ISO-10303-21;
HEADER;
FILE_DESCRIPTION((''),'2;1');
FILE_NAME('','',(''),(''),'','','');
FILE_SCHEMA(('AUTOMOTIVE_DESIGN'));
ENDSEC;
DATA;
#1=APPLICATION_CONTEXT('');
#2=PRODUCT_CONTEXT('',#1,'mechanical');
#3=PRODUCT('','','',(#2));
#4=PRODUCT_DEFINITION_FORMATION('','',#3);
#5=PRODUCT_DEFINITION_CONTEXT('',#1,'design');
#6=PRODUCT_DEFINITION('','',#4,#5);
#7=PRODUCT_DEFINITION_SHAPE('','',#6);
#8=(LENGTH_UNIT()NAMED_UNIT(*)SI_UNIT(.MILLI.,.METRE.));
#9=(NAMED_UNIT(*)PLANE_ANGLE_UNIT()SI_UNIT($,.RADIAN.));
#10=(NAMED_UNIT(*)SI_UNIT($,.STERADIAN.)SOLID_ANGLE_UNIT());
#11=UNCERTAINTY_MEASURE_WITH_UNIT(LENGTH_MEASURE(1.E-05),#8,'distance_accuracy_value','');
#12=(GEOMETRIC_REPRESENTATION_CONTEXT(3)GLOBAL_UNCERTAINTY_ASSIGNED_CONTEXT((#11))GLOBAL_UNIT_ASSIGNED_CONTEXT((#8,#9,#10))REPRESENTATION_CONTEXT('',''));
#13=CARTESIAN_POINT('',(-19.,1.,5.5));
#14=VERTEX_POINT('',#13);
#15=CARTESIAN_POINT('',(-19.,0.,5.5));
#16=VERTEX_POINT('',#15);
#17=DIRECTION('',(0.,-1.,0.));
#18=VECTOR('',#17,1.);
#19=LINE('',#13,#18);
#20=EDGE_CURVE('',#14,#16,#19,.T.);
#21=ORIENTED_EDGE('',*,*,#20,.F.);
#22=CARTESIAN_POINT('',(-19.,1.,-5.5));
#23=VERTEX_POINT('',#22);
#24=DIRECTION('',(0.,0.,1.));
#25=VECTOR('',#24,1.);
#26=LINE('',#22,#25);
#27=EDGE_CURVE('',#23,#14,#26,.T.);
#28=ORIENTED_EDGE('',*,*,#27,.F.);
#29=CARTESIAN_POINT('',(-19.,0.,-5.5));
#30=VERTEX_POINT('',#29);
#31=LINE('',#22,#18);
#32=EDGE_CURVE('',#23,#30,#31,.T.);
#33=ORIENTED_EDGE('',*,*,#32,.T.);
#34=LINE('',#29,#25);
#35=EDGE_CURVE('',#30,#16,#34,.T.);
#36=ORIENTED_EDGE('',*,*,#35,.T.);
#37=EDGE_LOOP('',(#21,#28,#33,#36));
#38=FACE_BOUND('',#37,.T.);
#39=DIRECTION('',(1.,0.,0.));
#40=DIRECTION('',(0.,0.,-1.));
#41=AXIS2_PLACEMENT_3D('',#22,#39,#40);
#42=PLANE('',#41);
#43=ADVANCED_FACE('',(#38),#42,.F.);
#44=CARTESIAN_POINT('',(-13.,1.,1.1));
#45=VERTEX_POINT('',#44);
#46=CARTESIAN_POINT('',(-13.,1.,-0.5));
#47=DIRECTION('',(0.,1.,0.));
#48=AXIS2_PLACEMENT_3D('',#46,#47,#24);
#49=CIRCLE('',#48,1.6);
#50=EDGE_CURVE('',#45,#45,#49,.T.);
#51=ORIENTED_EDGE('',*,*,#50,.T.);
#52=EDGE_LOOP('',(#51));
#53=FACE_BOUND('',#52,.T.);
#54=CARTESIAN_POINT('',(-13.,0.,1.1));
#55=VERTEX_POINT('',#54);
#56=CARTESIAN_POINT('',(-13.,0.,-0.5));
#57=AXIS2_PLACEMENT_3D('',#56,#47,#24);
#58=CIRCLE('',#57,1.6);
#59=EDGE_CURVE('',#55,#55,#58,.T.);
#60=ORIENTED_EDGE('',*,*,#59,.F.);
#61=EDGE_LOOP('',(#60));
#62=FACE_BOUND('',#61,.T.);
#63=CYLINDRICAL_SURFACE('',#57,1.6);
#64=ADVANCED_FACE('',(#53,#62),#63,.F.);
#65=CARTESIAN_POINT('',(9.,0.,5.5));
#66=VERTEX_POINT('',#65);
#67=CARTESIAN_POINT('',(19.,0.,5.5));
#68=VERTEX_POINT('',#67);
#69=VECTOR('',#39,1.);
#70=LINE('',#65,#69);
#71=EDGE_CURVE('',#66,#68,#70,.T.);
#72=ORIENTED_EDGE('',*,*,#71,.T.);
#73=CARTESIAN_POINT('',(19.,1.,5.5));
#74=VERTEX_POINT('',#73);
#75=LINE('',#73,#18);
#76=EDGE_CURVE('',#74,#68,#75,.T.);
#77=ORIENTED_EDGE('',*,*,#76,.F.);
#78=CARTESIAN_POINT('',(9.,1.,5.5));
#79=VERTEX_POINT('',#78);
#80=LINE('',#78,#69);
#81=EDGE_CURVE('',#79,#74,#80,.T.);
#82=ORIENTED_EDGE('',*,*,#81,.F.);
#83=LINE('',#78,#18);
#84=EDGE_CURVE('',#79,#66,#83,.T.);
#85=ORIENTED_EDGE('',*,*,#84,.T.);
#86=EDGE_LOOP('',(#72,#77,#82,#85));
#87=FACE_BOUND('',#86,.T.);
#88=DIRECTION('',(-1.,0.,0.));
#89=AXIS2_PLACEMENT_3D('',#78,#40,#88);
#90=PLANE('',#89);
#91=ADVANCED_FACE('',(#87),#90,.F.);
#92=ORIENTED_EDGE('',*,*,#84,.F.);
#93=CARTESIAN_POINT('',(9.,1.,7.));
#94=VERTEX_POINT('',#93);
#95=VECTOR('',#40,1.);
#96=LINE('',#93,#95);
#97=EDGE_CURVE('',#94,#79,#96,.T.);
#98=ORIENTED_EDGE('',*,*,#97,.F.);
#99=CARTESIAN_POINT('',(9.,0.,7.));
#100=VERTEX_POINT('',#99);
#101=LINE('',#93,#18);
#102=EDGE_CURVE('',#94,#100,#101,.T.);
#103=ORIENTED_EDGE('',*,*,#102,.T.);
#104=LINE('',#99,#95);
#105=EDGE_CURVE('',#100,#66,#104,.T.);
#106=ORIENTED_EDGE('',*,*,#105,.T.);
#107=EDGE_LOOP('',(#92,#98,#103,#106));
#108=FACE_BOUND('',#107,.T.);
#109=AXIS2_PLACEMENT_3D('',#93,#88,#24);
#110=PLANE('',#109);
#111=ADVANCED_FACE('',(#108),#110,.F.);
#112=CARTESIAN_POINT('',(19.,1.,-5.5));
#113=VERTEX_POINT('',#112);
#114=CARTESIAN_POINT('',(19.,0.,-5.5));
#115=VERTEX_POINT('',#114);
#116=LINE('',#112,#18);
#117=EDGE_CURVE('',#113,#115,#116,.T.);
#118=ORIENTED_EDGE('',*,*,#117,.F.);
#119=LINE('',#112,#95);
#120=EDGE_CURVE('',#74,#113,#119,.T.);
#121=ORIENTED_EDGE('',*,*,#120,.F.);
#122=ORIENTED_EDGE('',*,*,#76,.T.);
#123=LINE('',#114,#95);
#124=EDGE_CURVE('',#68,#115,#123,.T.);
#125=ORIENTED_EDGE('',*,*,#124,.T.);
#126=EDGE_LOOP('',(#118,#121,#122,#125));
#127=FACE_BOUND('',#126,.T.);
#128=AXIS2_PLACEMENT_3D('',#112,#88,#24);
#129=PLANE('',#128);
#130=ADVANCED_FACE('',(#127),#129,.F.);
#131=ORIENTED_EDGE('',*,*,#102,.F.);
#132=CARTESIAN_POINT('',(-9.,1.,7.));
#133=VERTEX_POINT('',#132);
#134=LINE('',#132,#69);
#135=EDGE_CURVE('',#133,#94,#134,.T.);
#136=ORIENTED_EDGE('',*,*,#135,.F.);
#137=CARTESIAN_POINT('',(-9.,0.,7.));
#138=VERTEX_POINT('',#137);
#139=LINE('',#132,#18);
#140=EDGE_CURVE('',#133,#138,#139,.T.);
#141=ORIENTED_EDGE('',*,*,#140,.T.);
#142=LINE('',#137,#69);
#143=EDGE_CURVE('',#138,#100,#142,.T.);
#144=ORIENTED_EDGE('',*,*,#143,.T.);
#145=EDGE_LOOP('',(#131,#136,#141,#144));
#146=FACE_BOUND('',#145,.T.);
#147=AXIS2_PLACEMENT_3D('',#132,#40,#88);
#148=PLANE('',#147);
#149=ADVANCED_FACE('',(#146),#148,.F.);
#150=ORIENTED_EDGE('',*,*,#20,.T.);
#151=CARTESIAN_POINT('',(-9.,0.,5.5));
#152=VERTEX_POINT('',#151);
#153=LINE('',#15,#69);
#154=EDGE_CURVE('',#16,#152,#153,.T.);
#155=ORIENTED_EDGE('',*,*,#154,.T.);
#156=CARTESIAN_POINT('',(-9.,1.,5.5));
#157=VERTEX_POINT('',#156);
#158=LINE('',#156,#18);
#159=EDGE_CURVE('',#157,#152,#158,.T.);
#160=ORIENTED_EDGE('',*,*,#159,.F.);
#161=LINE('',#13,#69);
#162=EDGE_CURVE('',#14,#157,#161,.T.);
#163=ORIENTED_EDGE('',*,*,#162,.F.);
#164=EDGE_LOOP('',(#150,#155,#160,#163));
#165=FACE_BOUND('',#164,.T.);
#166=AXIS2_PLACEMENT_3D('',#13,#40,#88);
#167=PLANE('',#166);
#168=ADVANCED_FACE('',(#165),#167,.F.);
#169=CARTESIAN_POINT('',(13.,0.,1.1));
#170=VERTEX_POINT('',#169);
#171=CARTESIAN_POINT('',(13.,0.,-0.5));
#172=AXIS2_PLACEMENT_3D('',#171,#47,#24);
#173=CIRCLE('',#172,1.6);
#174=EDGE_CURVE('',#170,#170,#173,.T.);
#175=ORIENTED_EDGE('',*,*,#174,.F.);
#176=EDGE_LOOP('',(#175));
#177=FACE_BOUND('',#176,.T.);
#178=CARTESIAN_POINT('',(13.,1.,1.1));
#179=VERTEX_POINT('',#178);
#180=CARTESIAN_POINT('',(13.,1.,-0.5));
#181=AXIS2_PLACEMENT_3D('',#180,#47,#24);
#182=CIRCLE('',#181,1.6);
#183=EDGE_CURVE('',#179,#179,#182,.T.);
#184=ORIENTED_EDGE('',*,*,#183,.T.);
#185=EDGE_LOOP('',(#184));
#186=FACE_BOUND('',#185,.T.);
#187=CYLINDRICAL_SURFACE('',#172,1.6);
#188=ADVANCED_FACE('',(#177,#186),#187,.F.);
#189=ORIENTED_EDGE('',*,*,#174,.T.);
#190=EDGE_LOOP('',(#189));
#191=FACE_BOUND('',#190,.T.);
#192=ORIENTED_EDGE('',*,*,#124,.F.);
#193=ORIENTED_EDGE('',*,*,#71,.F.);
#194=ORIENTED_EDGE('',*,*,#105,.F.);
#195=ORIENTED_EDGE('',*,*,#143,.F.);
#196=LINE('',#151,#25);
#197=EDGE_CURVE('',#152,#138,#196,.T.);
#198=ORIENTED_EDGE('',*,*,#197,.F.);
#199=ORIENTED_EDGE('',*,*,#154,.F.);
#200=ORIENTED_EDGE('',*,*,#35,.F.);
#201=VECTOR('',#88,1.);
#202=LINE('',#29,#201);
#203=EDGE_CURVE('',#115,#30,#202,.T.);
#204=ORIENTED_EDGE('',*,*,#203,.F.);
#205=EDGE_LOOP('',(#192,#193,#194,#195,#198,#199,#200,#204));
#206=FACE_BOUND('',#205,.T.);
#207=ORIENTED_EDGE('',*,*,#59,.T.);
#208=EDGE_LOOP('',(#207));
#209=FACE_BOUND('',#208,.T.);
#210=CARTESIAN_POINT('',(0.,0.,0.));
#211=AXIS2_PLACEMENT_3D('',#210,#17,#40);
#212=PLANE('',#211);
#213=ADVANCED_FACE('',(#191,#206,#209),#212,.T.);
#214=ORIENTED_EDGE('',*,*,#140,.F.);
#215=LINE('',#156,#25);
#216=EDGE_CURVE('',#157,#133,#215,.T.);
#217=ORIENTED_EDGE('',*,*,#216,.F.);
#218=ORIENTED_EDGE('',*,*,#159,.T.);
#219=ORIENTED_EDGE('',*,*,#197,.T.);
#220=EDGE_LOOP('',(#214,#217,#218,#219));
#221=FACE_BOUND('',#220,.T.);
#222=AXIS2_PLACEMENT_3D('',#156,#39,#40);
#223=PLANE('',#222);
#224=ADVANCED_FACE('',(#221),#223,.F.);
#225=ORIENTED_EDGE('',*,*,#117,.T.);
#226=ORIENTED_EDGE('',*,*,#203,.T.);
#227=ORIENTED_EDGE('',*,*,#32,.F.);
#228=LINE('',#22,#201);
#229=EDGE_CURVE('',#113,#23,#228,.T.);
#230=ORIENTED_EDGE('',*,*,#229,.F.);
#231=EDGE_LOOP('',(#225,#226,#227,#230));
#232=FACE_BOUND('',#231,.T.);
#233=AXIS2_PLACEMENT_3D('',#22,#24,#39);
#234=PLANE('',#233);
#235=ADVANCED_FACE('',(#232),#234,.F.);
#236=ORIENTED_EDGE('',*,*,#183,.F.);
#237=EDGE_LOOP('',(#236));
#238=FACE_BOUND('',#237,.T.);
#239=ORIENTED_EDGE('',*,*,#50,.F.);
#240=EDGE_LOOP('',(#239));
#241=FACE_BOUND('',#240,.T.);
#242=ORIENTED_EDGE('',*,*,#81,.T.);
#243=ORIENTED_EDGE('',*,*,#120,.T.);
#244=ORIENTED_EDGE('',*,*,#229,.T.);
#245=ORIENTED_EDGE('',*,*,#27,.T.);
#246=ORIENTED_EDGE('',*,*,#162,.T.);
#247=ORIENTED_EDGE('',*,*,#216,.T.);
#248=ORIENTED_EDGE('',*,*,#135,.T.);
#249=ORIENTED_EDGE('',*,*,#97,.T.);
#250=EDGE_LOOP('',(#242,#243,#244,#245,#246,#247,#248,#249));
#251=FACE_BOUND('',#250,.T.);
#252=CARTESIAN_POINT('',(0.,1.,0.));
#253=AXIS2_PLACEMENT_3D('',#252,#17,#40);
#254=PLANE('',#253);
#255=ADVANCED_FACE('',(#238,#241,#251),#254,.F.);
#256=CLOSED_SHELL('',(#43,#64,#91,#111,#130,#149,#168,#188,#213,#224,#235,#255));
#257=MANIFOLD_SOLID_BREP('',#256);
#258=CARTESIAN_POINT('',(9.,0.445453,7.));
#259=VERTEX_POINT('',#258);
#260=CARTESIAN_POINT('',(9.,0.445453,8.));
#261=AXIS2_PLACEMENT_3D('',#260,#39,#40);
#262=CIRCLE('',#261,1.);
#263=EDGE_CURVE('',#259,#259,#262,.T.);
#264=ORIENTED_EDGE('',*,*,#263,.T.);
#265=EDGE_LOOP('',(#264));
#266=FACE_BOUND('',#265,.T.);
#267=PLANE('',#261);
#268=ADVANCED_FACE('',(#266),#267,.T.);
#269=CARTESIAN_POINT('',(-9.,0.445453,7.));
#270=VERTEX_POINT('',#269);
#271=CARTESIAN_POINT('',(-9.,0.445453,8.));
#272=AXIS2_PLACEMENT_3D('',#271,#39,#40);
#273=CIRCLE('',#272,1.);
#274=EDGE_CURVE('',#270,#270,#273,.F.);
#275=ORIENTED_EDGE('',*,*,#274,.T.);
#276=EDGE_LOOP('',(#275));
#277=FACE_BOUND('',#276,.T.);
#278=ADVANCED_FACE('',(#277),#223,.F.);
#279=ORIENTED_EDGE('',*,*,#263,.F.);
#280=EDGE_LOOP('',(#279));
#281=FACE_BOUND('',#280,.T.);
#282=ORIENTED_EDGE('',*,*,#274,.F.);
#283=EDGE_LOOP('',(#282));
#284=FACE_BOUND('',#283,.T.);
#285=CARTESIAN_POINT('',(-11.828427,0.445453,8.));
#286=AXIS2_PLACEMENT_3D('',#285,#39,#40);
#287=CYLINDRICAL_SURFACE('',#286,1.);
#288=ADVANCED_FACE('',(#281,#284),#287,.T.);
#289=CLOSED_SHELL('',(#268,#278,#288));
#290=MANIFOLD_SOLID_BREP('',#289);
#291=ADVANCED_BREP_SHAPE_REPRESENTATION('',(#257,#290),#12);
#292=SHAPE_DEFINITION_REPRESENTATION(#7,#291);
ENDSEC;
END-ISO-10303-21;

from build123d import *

# Parameters (mm, degrees)
EXTRUDE_1_DEPTH     = 1
SKETCH_2_R          = 1
EXTRUDE_2_DEPTH     = 18
SKETCH_3_R          = 1.6
CUT_EXTRUDE_1_DEPTH = 1


with BuildPart() as part:
    # 草图1 → 凸台-拉伸1 (new body)
    with BuildSketch(Plane(origin=(0, 0, 0), x_dir=(1, 0, 0), z_dir=(0, 1, 0))):
        Polygon((-19, 5.5), (19, 5.5), (19, -5.5), (9, -5.5), (9, -7), (-9, -7), (-9, -5.5), (-19, -5.5), align=None)
    extrude(amount=EXTRUDE_1_DEPTH)

    # 草图3 → 切除-拉伸1 (cut)
    with BuildSketch(Plane(origin=(0, 1, 0), x_dir=(1, 0, 0), z_dir=(0, 1, 0))):
        with Locations(Location((-13, 0.5, 0), (0, 0, 270))):
            Circle(SKETCH_3_R)
        with Locations(Location((13, 0.5, 0), (0, 0, 270))):
            Circle(SKETCH_3_R)
    extrude(amount=-CUT_EXTRUDE_1_DEPTH, mode=Mode.SUBTRACT)


with BuildPart() as body_2:
    # 草图2 → 凸台-拉伸2 (new body)
    with BuildSketch(Plane(origin=(9, 0, 0), x_dir=(0, 0, -1), z_dir=(1, 0, 0))):
        with Locations((-8, 0.445452926)):
            Circle(SKETCH_2_R)
    extrude(amount=-EXTRUDE_2_DEPTH)


solid = Compound([part.part, body_2.part])
